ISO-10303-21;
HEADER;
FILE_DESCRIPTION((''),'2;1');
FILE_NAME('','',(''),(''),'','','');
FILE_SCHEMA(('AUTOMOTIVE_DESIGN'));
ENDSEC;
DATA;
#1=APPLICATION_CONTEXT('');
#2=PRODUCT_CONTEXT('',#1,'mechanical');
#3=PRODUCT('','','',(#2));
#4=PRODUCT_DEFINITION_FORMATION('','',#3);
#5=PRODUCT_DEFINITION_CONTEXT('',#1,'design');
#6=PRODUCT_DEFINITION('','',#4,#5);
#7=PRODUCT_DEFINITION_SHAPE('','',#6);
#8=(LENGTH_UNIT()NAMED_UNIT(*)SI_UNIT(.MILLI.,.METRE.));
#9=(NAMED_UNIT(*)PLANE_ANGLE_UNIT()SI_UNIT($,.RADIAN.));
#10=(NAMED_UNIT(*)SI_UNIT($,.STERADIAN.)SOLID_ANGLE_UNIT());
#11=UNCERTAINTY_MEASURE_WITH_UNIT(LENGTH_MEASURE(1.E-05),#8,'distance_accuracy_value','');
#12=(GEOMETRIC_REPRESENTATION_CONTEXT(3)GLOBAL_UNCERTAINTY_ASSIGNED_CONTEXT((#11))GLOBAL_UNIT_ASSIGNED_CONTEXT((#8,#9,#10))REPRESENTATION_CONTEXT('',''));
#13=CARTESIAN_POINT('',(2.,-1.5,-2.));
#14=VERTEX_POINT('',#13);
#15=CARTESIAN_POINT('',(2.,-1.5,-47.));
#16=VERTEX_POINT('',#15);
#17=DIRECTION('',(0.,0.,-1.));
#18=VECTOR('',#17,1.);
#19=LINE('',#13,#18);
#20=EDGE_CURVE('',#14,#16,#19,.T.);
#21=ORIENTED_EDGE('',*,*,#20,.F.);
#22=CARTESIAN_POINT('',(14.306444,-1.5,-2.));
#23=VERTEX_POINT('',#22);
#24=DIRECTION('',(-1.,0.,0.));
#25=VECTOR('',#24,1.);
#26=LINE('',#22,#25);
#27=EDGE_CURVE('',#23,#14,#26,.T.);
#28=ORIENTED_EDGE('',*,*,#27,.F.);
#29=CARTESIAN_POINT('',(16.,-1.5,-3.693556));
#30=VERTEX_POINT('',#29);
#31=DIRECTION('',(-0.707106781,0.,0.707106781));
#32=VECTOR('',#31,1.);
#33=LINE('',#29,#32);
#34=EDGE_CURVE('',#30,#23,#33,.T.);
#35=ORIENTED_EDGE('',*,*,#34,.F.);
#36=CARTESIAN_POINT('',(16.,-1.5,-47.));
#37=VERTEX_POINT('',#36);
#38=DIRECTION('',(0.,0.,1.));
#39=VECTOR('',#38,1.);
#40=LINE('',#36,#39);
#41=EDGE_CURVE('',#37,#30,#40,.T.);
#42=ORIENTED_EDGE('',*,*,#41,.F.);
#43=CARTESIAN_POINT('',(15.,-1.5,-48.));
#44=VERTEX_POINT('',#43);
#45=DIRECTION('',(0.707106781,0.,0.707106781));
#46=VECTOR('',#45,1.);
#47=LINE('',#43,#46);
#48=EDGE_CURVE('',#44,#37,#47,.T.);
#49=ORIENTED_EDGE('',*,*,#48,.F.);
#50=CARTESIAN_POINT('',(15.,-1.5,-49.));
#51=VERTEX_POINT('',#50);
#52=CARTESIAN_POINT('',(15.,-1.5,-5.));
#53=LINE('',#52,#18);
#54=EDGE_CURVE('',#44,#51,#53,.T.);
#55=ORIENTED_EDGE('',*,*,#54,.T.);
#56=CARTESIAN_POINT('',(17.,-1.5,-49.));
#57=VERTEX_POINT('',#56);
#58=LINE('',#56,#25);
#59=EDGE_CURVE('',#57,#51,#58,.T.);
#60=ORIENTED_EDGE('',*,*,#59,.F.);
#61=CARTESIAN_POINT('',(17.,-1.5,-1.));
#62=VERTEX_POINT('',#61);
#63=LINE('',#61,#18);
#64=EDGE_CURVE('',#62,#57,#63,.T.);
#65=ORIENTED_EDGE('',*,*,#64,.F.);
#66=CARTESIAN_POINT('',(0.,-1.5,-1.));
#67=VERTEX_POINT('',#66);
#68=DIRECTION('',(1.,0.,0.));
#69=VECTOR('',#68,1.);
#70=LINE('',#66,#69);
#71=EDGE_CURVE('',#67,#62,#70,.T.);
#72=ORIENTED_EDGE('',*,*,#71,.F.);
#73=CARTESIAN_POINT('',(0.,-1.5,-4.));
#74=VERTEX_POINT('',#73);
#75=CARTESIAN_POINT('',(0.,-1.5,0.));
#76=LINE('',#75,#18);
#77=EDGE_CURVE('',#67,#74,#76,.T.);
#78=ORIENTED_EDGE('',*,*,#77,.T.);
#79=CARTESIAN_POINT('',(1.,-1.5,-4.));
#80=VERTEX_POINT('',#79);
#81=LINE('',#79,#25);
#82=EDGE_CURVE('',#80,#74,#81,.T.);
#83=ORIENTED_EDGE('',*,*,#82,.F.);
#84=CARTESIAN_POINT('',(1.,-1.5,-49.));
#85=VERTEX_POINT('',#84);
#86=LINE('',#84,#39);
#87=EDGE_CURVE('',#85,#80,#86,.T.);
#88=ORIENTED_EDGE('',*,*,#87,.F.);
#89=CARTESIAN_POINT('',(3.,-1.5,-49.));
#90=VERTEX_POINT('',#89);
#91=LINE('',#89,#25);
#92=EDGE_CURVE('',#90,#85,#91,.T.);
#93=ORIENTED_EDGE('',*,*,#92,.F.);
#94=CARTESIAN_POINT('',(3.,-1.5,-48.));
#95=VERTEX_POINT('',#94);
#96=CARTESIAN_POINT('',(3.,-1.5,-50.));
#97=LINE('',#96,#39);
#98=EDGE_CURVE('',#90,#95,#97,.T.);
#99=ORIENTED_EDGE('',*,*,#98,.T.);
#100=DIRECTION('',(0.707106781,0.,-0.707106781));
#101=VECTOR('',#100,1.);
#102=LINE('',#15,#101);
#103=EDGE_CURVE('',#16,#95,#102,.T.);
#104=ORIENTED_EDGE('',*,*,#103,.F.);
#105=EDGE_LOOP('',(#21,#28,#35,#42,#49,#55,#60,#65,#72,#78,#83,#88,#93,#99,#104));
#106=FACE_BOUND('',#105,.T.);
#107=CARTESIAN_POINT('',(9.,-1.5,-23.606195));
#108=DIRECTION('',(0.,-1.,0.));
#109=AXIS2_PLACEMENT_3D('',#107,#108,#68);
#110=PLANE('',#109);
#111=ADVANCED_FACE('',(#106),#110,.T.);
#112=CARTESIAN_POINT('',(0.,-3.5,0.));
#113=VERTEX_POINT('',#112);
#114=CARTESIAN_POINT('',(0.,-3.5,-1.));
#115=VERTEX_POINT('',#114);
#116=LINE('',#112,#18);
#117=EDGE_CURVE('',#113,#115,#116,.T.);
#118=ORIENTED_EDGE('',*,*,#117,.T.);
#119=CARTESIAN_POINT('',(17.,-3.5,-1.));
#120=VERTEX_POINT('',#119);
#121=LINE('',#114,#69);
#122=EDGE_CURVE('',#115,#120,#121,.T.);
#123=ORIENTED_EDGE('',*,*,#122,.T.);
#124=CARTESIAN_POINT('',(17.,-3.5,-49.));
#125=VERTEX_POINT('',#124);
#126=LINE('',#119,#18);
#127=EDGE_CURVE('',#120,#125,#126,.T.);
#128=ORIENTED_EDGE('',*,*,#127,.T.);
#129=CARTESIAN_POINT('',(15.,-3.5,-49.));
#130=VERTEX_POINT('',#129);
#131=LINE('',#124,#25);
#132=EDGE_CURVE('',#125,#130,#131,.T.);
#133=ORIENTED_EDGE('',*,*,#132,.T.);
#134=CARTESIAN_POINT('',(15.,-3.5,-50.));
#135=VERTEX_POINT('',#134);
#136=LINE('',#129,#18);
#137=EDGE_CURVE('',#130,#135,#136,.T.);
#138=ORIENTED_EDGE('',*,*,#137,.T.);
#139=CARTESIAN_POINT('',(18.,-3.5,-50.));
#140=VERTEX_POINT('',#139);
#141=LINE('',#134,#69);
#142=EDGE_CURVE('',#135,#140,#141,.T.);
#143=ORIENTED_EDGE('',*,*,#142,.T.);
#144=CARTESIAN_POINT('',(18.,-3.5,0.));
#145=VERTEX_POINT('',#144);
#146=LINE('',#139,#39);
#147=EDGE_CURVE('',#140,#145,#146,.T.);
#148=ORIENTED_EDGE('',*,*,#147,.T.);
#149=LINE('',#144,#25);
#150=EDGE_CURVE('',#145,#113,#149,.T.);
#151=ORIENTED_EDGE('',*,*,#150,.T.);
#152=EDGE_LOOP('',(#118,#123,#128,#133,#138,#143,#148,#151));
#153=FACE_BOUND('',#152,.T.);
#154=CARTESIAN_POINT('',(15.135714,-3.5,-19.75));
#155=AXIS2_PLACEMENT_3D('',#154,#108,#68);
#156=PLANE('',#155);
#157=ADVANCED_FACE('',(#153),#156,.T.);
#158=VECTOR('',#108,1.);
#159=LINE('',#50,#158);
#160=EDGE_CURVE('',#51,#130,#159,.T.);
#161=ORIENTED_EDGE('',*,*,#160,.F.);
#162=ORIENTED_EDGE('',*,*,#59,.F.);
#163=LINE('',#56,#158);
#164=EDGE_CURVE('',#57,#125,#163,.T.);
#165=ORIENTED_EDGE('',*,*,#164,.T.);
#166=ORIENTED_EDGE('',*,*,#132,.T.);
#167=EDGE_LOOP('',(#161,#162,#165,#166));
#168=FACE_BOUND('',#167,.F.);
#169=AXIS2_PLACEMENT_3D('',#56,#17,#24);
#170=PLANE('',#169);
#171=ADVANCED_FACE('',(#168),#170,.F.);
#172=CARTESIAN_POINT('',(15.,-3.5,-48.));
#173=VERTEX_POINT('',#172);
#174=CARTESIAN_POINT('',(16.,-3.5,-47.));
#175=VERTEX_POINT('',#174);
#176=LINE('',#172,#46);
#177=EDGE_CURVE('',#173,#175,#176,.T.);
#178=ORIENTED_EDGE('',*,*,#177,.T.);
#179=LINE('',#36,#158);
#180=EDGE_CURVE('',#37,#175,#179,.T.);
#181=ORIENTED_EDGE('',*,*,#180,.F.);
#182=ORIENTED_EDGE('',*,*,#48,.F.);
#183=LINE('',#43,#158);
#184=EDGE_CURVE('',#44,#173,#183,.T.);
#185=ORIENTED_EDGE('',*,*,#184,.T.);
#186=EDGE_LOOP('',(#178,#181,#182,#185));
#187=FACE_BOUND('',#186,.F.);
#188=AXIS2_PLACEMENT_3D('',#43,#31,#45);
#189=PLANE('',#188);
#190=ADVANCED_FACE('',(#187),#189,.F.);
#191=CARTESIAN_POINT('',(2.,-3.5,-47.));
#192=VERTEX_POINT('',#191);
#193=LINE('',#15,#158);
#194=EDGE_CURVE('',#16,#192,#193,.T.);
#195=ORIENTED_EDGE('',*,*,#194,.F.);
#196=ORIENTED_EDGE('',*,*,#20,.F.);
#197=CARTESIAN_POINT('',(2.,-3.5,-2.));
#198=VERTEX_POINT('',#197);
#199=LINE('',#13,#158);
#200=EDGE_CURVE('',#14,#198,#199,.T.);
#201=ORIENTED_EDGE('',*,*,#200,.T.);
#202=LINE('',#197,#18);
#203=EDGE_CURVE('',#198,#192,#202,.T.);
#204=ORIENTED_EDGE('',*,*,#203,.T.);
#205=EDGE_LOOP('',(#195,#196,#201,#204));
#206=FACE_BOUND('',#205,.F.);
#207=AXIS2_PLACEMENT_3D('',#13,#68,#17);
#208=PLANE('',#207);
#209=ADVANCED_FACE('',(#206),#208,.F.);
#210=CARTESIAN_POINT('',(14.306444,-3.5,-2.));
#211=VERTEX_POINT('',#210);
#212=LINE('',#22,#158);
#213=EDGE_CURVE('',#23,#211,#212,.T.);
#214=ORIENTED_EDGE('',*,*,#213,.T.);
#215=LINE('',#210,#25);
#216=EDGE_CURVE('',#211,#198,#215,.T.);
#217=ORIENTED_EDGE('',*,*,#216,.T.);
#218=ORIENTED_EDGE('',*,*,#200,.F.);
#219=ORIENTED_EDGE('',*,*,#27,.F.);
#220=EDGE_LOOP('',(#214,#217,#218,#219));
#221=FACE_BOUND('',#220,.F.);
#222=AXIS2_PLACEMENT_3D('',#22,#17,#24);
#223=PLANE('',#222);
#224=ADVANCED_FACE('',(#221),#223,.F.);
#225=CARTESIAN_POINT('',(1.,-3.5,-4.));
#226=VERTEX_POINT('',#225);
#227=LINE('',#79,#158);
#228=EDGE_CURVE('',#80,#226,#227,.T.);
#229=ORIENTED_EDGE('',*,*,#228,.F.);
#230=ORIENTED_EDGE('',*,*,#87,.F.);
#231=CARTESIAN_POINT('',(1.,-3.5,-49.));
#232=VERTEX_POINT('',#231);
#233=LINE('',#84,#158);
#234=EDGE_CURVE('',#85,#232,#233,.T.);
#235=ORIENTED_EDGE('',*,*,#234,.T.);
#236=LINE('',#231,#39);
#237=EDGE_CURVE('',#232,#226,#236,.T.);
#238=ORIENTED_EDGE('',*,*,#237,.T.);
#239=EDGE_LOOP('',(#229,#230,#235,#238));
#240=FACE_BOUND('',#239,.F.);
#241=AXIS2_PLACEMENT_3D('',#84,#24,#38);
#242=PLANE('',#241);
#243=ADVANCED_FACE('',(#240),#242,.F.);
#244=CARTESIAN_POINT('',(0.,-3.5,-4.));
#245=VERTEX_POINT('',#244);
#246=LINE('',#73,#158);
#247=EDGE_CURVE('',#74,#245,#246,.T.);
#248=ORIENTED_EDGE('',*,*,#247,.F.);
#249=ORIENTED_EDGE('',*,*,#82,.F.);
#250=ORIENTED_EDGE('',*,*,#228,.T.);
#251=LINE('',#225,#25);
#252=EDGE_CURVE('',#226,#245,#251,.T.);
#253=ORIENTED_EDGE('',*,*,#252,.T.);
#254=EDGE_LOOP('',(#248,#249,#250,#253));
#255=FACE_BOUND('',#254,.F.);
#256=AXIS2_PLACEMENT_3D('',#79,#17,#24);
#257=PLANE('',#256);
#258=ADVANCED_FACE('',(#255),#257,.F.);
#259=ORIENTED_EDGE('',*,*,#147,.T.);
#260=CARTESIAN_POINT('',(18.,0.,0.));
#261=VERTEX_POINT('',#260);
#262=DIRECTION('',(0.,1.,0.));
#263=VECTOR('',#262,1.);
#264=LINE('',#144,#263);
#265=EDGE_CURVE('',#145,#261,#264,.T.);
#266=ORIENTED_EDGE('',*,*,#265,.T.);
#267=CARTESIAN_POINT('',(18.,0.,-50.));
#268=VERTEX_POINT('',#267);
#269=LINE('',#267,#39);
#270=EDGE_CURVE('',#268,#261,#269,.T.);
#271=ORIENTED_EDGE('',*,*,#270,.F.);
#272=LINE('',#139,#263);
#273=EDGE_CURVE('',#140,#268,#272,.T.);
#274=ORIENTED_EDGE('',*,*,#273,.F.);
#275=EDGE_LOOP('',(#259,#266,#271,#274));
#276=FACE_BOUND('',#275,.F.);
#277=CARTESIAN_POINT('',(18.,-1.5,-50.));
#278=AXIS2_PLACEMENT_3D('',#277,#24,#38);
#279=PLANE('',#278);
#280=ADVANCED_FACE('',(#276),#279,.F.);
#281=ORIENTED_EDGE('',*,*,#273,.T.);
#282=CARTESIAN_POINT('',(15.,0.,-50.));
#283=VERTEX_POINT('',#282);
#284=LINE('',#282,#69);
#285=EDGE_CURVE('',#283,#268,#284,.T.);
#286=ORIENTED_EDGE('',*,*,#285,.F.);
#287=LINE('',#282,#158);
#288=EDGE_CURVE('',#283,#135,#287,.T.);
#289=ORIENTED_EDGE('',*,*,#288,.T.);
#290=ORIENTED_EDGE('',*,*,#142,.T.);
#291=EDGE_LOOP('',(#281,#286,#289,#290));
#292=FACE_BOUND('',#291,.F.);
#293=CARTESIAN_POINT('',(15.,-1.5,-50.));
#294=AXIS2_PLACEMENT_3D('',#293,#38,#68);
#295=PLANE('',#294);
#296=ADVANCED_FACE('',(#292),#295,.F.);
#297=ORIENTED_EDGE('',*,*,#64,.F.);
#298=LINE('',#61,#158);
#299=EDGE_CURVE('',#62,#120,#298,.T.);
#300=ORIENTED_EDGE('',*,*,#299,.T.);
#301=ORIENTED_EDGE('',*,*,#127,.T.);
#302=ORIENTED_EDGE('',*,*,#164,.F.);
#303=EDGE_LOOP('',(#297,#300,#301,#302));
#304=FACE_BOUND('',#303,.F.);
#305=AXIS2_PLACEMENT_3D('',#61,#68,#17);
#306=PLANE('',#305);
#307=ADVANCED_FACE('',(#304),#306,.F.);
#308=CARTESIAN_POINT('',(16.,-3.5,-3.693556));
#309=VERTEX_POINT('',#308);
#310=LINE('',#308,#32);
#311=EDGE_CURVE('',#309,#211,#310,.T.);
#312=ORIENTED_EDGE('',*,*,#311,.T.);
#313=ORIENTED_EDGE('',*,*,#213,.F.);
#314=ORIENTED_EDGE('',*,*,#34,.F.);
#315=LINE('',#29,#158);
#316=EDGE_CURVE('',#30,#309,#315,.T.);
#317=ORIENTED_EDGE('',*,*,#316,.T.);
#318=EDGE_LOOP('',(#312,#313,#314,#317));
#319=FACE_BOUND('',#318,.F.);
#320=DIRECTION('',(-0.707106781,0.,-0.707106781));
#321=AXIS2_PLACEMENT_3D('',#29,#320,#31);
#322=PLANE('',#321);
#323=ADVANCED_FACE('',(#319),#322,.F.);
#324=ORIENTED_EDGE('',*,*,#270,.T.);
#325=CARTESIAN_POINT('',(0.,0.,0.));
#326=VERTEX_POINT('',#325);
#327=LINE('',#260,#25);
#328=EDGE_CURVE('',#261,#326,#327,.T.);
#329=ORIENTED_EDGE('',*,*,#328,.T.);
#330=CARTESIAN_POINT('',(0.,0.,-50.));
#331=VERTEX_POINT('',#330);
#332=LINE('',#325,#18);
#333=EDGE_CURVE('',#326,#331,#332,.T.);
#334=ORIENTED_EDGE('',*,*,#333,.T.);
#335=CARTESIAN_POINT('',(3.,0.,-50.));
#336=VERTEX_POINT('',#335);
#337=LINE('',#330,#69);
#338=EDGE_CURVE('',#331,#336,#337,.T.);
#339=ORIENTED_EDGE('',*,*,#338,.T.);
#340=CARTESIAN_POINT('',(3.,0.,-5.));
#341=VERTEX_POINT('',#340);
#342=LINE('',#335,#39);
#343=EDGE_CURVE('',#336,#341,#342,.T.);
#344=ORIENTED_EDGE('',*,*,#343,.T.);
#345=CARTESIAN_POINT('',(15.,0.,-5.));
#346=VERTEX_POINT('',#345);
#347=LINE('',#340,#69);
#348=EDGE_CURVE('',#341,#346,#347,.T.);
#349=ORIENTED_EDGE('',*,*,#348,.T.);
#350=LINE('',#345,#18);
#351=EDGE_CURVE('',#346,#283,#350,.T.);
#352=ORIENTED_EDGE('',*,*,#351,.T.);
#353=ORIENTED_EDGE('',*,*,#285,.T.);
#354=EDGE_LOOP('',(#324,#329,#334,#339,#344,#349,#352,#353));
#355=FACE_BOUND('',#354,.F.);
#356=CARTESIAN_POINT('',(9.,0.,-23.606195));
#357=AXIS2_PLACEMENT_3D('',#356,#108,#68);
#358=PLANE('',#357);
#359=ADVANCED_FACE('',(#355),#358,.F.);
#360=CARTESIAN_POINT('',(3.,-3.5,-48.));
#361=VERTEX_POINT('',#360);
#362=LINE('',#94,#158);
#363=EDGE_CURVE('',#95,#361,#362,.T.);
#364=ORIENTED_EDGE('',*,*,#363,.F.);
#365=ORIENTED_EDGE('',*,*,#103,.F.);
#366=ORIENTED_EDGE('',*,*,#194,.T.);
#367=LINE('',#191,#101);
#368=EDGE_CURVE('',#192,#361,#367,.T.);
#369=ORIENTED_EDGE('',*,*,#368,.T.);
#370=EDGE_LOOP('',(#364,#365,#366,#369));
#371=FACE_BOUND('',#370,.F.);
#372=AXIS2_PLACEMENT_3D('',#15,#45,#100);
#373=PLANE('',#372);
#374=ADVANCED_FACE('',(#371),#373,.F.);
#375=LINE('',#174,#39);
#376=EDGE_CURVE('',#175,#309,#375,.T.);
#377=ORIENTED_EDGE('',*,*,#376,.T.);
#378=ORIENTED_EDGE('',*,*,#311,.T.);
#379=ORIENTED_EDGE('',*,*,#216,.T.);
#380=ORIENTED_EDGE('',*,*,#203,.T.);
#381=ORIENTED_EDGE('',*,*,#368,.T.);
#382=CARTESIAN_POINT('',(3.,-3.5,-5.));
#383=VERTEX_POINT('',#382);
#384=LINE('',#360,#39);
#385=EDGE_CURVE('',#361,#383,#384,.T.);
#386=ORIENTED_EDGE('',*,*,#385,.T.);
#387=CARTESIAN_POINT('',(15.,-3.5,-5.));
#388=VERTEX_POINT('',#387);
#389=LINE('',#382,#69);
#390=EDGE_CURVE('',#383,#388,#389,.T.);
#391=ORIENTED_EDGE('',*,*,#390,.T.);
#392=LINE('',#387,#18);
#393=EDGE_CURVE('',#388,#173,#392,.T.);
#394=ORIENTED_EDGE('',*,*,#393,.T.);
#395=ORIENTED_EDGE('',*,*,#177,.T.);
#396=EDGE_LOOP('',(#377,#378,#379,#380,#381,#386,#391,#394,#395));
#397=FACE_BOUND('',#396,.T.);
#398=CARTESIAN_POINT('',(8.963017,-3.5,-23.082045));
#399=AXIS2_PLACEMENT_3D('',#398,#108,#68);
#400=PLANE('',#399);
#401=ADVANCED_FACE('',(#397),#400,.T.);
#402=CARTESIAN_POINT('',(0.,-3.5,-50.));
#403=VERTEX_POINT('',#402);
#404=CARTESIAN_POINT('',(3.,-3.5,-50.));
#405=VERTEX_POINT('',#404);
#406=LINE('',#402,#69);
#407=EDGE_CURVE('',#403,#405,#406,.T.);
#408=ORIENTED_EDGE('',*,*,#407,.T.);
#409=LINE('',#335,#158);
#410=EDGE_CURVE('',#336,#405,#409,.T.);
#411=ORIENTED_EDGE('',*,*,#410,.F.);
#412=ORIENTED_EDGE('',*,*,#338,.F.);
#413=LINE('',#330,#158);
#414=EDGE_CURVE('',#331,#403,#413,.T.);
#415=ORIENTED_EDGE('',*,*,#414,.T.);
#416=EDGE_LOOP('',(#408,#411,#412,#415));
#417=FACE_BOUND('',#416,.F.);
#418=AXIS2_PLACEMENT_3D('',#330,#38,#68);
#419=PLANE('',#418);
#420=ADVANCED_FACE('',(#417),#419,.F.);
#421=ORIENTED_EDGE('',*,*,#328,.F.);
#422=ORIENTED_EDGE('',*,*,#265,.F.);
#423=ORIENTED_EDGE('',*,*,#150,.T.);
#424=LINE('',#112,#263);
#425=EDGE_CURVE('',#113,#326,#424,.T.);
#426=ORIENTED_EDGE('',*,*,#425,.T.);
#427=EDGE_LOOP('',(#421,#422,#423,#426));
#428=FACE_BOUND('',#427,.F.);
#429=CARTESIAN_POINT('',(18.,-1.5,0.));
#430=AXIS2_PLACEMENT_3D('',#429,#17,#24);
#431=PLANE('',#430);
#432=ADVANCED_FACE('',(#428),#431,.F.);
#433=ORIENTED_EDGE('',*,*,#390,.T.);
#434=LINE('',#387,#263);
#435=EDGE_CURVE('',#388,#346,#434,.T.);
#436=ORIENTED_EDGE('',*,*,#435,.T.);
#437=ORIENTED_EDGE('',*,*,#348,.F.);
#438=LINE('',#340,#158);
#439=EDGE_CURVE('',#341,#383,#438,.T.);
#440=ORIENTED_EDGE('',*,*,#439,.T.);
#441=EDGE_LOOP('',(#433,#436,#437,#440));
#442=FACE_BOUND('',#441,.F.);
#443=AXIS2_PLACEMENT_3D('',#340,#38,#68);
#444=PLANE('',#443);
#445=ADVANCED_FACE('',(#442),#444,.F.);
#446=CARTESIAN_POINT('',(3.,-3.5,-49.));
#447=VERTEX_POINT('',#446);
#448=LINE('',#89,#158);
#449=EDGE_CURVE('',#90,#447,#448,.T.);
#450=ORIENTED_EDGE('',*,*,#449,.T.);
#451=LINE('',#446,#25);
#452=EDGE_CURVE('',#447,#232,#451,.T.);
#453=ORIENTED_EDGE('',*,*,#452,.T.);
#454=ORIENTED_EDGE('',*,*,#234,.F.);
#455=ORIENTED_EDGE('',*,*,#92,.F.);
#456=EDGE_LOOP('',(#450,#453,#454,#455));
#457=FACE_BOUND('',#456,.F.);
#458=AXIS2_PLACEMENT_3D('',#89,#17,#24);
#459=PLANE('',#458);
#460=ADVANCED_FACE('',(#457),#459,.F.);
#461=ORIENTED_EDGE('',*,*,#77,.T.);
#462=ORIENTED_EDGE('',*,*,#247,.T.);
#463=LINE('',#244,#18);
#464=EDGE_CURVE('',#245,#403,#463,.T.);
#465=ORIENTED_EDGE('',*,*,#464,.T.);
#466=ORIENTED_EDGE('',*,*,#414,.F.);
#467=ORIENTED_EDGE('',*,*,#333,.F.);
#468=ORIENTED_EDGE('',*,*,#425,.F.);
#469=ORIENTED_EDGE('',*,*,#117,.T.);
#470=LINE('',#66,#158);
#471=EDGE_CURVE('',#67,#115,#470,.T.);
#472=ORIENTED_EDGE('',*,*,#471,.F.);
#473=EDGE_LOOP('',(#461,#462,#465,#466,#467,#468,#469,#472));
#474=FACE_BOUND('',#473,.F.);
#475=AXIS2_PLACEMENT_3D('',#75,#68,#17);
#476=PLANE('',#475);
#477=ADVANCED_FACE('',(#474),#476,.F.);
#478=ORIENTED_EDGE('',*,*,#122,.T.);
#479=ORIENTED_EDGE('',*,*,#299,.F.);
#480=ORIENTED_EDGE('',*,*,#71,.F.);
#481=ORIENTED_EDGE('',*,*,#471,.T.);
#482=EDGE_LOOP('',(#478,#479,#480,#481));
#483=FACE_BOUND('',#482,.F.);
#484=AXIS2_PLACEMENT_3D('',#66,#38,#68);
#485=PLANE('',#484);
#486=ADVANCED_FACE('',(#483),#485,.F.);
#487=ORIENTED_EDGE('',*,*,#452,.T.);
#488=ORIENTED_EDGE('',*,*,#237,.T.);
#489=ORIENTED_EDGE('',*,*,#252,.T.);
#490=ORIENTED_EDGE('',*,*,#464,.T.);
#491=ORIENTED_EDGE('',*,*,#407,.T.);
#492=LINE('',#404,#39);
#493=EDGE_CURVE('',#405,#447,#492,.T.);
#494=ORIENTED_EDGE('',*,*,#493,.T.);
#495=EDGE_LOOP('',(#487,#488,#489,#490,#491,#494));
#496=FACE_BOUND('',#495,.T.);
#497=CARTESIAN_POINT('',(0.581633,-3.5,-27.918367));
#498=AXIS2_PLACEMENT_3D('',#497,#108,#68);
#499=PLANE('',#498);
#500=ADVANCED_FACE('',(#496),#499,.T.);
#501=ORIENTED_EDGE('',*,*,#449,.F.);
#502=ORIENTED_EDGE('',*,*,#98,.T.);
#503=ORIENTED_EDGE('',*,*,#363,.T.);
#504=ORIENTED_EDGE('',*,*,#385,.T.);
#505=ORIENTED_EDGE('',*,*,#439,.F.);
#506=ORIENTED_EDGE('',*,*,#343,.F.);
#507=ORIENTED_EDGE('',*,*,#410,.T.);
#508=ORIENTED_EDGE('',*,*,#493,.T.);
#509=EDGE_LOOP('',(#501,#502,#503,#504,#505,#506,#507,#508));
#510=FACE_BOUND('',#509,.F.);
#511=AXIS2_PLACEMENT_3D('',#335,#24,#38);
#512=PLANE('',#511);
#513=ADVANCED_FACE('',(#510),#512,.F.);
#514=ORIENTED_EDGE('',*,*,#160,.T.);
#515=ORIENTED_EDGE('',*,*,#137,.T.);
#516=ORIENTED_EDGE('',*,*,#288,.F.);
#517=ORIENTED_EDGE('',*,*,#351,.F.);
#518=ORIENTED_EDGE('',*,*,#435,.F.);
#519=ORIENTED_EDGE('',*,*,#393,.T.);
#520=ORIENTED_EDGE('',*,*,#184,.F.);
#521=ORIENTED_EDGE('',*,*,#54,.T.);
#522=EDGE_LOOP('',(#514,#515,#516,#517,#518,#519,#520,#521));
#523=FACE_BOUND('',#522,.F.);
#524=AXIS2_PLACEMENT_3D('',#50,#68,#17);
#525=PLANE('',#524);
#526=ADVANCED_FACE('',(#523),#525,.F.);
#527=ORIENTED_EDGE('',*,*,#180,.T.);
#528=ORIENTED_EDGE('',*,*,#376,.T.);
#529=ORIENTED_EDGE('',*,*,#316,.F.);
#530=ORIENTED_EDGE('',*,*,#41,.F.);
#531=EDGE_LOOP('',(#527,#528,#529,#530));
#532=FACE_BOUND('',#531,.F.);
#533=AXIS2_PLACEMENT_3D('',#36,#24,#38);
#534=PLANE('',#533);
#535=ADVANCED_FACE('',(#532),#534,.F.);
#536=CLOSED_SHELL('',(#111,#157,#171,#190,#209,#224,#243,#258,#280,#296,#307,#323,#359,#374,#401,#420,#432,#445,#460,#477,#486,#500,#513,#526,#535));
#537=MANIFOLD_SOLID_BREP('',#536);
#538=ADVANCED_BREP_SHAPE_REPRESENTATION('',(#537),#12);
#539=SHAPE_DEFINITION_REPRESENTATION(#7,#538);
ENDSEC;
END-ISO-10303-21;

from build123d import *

# Parameters (mm, degrees)
F1_DEPTH = 1.5
F3_DEPTH = 2


with BuildPart() as f1:
    # F0 (on Front) → F1 (new body)
    with BuildSketch(Plane.XZ):
        Polygon((18, 0), (0, 0), (0, -50), (3, -50), (3, -5), (15, -5), (15, -50), (18, -50), align=None)
    extrude(amount=F1_DEPTH)

    # F2 (on face) → F3 (join)
    with BuildSketch(Plane.XZ.offset(1.5)):
        Polygon((0, 0), (0, -1), (17, -1), (17, -49), (15, -49), (15, -50), (18, -50), (18, 0), align=None)
        Polygon((15, -5), (15, -48), (16, -47), (16, -3.693556), (14.306444, -2), (2, -2), (2, -4.21096), (2, -47), (3, -48), (3, -5), align=None)
        Polygon((1, -4), (0, -4), (0, -50), (3, -50), (3, -49), (1, -49), align=None)
    extrude(amount=F3_DEPTH)


solid = f1.part
